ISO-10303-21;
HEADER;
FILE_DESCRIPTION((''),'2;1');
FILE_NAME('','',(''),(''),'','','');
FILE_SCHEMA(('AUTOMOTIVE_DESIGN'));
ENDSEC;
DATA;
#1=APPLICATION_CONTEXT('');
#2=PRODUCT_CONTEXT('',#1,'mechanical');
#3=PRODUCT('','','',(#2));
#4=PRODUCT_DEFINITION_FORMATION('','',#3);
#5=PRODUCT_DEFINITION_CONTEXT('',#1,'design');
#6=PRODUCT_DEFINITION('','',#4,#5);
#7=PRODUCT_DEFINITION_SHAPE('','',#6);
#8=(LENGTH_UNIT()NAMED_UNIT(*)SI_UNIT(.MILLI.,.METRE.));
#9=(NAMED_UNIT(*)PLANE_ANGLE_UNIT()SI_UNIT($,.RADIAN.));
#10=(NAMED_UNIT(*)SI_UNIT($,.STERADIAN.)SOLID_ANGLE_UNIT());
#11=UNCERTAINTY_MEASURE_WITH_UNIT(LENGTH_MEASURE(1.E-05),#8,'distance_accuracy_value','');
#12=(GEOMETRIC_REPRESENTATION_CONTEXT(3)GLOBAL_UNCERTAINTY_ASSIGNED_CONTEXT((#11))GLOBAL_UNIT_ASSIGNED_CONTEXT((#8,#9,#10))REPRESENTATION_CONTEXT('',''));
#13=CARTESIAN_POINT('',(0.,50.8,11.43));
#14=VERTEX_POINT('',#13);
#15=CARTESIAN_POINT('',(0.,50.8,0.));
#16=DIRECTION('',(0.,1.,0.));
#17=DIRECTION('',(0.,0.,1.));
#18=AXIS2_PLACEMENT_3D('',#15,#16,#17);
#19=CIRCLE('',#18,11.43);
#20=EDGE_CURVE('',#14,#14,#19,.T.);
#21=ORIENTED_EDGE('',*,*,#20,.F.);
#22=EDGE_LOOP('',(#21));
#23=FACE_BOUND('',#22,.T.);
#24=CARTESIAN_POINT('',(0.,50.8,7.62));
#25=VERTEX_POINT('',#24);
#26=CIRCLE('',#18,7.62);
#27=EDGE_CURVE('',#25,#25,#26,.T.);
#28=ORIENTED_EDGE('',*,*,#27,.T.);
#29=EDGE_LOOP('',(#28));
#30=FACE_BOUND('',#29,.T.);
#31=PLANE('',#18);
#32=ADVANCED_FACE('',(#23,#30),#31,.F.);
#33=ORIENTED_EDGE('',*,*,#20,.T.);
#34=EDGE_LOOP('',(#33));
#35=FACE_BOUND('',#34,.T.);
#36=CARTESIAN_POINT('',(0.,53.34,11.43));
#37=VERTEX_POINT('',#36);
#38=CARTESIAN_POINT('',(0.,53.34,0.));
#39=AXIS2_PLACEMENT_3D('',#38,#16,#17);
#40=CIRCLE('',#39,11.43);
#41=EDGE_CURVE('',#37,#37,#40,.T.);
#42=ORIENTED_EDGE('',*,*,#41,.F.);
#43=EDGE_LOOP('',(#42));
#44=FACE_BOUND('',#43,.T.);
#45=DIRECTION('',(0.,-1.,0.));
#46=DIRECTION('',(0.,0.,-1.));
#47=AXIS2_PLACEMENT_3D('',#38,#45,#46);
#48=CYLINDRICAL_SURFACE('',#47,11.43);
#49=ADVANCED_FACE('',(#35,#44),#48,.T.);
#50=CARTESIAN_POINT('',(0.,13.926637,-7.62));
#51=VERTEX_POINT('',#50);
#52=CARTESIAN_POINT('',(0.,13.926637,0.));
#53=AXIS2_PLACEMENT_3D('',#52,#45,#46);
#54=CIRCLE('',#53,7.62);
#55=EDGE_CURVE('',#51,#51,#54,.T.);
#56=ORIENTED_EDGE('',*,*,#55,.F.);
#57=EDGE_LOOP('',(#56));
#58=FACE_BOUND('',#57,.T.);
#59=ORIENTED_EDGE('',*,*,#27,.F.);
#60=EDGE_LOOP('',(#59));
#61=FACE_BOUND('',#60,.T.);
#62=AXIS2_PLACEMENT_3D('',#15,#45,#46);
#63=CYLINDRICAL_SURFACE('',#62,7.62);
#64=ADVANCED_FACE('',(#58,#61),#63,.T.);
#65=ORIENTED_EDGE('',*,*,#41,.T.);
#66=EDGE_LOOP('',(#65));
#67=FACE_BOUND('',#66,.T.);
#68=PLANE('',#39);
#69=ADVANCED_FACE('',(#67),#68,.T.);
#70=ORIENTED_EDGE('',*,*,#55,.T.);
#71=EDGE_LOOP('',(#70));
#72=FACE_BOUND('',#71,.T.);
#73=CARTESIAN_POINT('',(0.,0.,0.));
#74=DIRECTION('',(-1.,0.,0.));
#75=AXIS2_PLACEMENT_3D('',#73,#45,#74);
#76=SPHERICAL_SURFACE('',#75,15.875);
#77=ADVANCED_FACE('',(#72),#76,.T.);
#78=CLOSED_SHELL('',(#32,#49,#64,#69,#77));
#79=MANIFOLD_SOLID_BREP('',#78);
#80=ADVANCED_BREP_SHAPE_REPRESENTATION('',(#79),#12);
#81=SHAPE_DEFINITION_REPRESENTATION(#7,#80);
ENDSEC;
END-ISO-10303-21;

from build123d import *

# Parameters (mm, degrees)
SKETCH2_R           = 7.62
BOSS_EXTRUDE1_DEPTH = 50.8
SKETCH3_R           = 11.43
BOSS_EXTRUDE2_DEPTH = 2.54


with BuildPart() as part:
    # Sketch1 → Revolve1 (revolve)
    with BuildSketch(Plane.XY):
        with BuildLine():
            Line((0, -15.875), (0, 15.875))
            ThreePointArc((0, 15.875), (15.875, 0), (0, -15.875))
        make_face()
    revolve(axis=Axis((0, -15.875, 0), (0, 1, 0)))

    # Sketch2 → Boss-Extrude1 (add)
    with BuildSketch(Plane(origin=(0, 0, 0), x_dir=(1, 0, 0), z_dir=(0, 1, 0))):
        with Locations(Location((0, 0, 0), (0, 0, 90))):
            Circle(SKETCH2_R)
    extrude(amount=BOSS_EXTRUDE1_DEPTH)

    # Sketch3 → Boss-Extrude2 (add)
    with BuildSketch(Plane(origin=(0, 50.8, 0), x_dir=(1, 0, 0), z_dir=(0, 1, 0))):
        with Locations(Location((0, 0, 0), (0, 0, 270))):
            Circle(SKETCH3_R)
    extrude(amount=BOSS_EXTRUDE2_DEPTH)


solid = part.part
